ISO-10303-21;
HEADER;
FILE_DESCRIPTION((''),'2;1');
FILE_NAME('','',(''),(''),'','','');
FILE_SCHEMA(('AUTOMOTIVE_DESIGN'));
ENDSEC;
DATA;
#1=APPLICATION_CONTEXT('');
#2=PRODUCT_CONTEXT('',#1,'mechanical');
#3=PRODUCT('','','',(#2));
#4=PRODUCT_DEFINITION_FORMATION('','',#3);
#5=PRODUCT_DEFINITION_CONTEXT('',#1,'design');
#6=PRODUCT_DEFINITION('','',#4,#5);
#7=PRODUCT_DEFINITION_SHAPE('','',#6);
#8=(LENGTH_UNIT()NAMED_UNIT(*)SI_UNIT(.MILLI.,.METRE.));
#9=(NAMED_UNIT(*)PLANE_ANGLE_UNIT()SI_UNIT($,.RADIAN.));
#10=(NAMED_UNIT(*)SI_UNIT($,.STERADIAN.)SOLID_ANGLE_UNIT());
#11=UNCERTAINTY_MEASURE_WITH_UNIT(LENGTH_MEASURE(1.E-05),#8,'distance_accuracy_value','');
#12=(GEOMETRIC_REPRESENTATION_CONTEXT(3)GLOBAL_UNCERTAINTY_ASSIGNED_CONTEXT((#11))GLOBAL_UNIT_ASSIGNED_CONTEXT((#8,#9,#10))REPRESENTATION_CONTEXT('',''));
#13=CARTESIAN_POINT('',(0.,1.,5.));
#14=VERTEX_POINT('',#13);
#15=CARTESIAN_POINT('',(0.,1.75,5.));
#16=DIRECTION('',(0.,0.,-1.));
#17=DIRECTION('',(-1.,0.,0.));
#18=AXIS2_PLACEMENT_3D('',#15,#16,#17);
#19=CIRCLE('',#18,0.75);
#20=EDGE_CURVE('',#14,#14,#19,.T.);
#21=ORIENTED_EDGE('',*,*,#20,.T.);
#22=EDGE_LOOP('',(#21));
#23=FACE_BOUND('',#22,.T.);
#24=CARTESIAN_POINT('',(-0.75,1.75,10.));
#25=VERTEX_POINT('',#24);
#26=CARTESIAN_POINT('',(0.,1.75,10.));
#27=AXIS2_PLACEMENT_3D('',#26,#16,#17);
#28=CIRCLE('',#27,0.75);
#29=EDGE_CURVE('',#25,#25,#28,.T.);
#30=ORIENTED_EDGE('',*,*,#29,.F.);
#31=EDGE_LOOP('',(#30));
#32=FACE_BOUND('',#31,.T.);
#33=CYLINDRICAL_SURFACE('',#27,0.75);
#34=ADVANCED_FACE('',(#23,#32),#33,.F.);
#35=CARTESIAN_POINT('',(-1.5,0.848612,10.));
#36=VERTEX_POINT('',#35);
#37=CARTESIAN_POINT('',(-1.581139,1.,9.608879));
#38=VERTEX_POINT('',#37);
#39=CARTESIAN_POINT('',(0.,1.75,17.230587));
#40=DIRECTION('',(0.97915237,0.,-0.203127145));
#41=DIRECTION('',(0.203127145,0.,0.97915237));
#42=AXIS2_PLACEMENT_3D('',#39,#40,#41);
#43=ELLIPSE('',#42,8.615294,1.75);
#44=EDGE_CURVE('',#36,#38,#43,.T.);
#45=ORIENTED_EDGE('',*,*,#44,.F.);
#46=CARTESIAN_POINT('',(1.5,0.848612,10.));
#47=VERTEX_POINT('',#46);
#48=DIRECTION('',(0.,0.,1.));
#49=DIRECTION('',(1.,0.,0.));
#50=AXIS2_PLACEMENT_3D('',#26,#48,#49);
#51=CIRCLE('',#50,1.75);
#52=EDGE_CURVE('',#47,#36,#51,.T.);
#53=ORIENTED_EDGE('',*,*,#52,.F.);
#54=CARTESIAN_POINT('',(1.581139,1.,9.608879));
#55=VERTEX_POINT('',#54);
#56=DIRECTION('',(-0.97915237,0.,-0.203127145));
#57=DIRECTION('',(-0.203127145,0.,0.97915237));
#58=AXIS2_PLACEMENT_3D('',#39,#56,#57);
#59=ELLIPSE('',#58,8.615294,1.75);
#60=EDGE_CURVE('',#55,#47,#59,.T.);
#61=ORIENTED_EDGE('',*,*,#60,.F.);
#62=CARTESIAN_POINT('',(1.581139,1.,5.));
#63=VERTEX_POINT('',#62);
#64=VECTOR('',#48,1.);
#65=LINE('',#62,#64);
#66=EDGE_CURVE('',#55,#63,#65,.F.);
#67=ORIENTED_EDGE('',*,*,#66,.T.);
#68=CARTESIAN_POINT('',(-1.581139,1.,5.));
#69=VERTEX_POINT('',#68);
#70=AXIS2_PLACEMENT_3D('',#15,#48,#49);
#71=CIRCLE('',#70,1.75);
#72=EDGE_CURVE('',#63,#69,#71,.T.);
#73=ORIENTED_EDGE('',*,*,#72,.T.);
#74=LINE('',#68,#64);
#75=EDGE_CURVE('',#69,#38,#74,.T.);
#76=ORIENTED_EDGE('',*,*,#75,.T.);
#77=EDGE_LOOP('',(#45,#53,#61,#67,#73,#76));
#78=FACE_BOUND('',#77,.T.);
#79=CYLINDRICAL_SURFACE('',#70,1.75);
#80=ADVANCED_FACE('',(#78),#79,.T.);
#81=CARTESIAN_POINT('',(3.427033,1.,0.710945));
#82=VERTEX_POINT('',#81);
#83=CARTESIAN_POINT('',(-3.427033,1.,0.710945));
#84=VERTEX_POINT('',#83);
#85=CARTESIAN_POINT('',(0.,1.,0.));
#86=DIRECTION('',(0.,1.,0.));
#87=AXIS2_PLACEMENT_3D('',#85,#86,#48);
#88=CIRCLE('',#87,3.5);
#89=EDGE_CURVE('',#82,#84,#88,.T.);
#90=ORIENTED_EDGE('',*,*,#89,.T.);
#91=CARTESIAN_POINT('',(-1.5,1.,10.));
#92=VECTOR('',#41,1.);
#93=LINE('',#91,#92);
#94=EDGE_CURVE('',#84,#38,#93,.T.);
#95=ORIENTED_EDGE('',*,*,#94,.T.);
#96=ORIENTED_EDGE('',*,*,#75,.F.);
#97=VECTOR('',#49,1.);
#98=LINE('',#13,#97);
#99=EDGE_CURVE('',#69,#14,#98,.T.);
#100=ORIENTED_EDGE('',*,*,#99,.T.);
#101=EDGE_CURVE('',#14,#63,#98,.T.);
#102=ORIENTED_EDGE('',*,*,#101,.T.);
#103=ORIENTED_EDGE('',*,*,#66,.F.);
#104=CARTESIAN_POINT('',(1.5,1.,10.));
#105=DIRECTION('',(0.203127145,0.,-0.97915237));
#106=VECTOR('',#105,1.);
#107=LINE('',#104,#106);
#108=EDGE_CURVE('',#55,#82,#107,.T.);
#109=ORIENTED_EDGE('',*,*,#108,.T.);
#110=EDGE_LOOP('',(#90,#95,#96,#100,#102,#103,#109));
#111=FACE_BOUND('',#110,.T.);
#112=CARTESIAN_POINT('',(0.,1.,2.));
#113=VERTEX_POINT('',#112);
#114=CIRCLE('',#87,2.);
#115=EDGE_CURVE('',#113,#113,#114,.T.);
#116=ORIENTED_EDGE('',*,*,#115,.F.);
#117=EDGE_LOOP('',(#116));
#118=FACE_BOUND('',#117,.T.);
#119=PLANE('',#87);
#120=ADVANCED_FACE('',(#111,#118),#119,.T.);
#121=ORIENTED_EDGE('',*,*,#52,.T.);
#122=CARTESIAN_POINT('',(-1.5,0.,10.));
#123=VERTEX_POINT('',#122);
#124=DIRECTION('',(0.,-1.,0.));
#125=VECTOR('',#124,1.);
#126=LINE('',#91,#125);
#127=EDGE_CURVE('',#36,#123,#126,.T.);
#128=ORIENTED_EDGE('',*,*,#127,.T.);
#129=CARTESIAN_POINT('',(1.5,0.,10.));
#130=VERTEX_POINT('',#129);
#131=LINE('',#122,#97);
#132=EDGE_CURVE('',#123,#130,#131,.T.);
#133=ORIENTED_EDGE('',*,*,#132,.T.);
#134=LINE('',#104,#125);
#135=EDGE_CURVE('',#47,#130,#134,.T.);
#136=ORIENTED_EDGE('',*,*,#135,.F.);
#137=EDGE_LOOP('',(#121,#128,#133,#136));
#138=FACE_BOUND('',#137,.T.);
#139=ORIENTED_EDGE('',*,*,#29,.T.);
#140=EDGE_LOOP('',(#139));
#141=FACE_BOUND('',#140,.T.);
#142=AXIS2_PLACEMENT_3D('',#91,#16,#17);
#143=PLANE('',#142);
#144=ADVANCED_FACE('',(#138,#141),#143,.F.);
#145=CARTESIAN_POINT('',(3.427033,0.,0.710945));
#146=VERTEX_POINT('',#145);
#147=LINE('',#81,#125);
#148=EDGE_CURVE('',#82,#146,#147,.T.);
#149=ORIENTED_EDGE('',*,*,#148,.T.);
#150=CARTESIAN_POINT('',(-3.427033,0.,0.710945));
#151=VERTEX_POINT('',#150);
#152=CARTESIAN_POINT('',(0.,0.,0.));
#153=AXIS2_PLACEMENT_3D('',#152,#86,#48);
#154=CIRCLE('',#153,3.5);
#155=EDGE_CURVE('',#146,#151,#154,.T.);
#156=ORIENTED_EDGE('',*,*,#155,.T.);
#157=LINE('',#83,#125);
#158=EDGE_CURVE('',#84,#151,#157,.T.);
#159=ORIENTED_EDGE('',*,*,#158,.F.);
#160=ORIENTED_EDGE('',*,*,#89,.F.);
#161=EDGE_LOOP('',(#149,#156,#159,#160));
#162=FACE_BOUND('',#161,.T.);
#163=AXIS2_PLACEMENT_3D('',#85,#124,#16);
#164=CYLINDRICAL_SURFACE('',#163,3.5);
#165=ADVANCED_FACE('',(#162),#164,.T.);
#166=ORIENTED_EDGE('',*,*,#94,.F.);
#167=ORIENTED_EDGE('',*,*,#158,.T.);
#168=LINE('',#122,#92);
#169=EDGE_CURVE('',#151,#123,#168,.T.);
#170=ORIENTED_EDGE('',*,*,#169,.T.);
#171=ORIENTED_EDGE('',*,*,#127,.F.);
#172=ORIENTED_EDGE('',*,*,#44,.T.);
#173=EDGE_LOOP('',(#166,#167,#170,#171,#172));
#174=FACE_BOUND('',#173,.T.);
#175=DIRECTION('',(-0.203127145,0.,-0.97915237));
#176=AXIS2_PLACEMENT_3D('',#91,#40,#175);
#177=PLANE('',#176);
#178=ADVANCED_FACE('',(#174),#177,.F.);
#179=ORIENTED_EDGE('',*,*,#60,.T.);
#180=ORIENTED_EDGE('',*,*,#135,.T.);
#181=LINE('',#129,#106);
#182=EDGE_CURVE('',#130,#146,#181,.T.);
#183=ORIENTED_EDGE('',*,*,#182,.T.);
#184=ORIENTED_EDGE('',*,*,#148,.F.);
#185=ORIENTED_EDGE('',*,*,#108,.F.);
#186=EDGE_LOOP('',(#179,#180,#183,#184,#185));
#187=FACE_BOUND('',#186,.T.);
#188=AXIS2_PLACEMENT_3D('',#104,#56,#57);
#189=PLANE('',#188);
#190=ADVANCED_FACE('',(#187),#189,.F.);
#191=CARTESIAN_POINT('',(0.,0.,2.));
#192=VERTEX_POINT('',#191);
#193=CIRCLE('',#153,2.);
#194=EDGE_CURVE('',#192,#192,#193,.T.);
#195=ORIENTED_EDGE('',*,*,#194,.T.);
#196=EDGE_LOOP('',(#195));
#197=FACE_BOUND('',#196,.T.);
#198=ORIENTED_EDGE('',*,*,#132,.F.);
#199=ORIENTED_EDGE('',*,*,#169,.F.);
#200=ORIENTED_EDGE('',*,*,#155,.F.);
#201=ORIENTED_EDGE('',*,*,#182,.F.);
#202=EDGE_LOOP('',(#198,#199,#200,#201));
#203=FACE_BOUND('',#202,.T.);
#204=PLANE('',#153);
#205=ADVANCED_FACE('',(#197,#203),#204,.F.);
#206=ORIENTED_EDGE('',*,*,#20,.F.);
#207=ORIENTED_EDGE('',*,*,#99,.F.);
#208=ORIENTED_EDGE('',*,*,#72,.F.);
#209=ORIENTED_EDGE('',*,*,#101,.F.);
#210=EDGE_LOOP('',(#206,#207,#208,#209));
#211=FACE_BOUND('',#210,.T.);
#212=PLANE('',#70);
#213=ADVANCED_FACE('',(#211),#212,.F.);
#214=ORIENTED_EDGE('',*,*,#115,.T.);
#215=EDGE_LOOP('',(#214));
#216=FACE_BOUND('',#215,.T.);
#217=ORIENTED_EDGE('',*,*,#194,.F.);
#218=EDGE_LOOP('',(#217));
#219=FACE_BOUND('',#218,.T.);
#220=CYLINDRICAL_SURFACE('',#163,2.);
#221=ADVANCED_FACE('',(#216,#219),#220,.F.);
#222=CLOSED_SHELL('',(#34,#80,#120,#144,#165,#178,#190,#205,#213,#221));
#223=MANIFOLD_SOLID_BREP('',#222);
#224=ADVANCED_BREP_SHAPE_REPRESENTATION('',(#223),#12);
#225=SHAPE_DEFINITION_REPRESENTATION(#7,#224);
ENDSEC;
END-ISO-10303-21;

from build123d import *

# Parameters (mm, degrees)
SKETCH_1_R          = 2
EXTRUDE_1_DEPTH     = 1
EXTRUDE_START       = 10
SKETCH_2_R          = 1.75
EXTRUDE_2_DEPTH     = 5
SKETCH_3_R          = 0.75
CUT_EXTRUDE_1_DEPTH = 5


with BuildPart() as part:
    # 草图1 → 凸台-拉伸1 (new body)
    with BuildSketch(Plane(origin=(0, 0, 0), x_dir=(1, 0, 0), z_dir=(0, 1, 0))):
        with BuildLine():
            Line((-1.5, -10), (1.5, -10))
            Line((1.5, -10), (3.427033294, -0.710945006))
            ThreePointArc((3.427033294, -0.710945006), (0, 3.5), (-3.427033294, -0.710945006))
            Line((-3.427033294, -0.710945006), (-1.5, -10))
        make_face()
        with Locations(Location((0, 0, 0), (0, 0, 270))):
            Circle(SKETCH_1_R, mode=Mode.SUBTRACT)
    extrude(amount=EXTRUDE_1_DEPTH)

    # 草图2 → 凸台-拉伸2 (add)
    with BuildSketch(Plane.XY.offset(EXTRUDE_START)):
        with Locations((0, 1.75)):
            Circle(SKETCH_2_R)
    extrude(amount=-EXTRUDE_2_DEPTH)

    # 草图3 → 切除-拉伸1 (cut)
    with BuildSketch(Plane(origin=(0, 0, 5), x_dir=(-1, 0, 0), z_dir=(0, 0, -1))):
        with Locations((0, 1.75)):
            Circle(SKETCH_3_R)
    extrude(amount=-CUT_EXTRUDE_1_DEPTH, mode=Mode.SUBTRACT)


solid = part.part
